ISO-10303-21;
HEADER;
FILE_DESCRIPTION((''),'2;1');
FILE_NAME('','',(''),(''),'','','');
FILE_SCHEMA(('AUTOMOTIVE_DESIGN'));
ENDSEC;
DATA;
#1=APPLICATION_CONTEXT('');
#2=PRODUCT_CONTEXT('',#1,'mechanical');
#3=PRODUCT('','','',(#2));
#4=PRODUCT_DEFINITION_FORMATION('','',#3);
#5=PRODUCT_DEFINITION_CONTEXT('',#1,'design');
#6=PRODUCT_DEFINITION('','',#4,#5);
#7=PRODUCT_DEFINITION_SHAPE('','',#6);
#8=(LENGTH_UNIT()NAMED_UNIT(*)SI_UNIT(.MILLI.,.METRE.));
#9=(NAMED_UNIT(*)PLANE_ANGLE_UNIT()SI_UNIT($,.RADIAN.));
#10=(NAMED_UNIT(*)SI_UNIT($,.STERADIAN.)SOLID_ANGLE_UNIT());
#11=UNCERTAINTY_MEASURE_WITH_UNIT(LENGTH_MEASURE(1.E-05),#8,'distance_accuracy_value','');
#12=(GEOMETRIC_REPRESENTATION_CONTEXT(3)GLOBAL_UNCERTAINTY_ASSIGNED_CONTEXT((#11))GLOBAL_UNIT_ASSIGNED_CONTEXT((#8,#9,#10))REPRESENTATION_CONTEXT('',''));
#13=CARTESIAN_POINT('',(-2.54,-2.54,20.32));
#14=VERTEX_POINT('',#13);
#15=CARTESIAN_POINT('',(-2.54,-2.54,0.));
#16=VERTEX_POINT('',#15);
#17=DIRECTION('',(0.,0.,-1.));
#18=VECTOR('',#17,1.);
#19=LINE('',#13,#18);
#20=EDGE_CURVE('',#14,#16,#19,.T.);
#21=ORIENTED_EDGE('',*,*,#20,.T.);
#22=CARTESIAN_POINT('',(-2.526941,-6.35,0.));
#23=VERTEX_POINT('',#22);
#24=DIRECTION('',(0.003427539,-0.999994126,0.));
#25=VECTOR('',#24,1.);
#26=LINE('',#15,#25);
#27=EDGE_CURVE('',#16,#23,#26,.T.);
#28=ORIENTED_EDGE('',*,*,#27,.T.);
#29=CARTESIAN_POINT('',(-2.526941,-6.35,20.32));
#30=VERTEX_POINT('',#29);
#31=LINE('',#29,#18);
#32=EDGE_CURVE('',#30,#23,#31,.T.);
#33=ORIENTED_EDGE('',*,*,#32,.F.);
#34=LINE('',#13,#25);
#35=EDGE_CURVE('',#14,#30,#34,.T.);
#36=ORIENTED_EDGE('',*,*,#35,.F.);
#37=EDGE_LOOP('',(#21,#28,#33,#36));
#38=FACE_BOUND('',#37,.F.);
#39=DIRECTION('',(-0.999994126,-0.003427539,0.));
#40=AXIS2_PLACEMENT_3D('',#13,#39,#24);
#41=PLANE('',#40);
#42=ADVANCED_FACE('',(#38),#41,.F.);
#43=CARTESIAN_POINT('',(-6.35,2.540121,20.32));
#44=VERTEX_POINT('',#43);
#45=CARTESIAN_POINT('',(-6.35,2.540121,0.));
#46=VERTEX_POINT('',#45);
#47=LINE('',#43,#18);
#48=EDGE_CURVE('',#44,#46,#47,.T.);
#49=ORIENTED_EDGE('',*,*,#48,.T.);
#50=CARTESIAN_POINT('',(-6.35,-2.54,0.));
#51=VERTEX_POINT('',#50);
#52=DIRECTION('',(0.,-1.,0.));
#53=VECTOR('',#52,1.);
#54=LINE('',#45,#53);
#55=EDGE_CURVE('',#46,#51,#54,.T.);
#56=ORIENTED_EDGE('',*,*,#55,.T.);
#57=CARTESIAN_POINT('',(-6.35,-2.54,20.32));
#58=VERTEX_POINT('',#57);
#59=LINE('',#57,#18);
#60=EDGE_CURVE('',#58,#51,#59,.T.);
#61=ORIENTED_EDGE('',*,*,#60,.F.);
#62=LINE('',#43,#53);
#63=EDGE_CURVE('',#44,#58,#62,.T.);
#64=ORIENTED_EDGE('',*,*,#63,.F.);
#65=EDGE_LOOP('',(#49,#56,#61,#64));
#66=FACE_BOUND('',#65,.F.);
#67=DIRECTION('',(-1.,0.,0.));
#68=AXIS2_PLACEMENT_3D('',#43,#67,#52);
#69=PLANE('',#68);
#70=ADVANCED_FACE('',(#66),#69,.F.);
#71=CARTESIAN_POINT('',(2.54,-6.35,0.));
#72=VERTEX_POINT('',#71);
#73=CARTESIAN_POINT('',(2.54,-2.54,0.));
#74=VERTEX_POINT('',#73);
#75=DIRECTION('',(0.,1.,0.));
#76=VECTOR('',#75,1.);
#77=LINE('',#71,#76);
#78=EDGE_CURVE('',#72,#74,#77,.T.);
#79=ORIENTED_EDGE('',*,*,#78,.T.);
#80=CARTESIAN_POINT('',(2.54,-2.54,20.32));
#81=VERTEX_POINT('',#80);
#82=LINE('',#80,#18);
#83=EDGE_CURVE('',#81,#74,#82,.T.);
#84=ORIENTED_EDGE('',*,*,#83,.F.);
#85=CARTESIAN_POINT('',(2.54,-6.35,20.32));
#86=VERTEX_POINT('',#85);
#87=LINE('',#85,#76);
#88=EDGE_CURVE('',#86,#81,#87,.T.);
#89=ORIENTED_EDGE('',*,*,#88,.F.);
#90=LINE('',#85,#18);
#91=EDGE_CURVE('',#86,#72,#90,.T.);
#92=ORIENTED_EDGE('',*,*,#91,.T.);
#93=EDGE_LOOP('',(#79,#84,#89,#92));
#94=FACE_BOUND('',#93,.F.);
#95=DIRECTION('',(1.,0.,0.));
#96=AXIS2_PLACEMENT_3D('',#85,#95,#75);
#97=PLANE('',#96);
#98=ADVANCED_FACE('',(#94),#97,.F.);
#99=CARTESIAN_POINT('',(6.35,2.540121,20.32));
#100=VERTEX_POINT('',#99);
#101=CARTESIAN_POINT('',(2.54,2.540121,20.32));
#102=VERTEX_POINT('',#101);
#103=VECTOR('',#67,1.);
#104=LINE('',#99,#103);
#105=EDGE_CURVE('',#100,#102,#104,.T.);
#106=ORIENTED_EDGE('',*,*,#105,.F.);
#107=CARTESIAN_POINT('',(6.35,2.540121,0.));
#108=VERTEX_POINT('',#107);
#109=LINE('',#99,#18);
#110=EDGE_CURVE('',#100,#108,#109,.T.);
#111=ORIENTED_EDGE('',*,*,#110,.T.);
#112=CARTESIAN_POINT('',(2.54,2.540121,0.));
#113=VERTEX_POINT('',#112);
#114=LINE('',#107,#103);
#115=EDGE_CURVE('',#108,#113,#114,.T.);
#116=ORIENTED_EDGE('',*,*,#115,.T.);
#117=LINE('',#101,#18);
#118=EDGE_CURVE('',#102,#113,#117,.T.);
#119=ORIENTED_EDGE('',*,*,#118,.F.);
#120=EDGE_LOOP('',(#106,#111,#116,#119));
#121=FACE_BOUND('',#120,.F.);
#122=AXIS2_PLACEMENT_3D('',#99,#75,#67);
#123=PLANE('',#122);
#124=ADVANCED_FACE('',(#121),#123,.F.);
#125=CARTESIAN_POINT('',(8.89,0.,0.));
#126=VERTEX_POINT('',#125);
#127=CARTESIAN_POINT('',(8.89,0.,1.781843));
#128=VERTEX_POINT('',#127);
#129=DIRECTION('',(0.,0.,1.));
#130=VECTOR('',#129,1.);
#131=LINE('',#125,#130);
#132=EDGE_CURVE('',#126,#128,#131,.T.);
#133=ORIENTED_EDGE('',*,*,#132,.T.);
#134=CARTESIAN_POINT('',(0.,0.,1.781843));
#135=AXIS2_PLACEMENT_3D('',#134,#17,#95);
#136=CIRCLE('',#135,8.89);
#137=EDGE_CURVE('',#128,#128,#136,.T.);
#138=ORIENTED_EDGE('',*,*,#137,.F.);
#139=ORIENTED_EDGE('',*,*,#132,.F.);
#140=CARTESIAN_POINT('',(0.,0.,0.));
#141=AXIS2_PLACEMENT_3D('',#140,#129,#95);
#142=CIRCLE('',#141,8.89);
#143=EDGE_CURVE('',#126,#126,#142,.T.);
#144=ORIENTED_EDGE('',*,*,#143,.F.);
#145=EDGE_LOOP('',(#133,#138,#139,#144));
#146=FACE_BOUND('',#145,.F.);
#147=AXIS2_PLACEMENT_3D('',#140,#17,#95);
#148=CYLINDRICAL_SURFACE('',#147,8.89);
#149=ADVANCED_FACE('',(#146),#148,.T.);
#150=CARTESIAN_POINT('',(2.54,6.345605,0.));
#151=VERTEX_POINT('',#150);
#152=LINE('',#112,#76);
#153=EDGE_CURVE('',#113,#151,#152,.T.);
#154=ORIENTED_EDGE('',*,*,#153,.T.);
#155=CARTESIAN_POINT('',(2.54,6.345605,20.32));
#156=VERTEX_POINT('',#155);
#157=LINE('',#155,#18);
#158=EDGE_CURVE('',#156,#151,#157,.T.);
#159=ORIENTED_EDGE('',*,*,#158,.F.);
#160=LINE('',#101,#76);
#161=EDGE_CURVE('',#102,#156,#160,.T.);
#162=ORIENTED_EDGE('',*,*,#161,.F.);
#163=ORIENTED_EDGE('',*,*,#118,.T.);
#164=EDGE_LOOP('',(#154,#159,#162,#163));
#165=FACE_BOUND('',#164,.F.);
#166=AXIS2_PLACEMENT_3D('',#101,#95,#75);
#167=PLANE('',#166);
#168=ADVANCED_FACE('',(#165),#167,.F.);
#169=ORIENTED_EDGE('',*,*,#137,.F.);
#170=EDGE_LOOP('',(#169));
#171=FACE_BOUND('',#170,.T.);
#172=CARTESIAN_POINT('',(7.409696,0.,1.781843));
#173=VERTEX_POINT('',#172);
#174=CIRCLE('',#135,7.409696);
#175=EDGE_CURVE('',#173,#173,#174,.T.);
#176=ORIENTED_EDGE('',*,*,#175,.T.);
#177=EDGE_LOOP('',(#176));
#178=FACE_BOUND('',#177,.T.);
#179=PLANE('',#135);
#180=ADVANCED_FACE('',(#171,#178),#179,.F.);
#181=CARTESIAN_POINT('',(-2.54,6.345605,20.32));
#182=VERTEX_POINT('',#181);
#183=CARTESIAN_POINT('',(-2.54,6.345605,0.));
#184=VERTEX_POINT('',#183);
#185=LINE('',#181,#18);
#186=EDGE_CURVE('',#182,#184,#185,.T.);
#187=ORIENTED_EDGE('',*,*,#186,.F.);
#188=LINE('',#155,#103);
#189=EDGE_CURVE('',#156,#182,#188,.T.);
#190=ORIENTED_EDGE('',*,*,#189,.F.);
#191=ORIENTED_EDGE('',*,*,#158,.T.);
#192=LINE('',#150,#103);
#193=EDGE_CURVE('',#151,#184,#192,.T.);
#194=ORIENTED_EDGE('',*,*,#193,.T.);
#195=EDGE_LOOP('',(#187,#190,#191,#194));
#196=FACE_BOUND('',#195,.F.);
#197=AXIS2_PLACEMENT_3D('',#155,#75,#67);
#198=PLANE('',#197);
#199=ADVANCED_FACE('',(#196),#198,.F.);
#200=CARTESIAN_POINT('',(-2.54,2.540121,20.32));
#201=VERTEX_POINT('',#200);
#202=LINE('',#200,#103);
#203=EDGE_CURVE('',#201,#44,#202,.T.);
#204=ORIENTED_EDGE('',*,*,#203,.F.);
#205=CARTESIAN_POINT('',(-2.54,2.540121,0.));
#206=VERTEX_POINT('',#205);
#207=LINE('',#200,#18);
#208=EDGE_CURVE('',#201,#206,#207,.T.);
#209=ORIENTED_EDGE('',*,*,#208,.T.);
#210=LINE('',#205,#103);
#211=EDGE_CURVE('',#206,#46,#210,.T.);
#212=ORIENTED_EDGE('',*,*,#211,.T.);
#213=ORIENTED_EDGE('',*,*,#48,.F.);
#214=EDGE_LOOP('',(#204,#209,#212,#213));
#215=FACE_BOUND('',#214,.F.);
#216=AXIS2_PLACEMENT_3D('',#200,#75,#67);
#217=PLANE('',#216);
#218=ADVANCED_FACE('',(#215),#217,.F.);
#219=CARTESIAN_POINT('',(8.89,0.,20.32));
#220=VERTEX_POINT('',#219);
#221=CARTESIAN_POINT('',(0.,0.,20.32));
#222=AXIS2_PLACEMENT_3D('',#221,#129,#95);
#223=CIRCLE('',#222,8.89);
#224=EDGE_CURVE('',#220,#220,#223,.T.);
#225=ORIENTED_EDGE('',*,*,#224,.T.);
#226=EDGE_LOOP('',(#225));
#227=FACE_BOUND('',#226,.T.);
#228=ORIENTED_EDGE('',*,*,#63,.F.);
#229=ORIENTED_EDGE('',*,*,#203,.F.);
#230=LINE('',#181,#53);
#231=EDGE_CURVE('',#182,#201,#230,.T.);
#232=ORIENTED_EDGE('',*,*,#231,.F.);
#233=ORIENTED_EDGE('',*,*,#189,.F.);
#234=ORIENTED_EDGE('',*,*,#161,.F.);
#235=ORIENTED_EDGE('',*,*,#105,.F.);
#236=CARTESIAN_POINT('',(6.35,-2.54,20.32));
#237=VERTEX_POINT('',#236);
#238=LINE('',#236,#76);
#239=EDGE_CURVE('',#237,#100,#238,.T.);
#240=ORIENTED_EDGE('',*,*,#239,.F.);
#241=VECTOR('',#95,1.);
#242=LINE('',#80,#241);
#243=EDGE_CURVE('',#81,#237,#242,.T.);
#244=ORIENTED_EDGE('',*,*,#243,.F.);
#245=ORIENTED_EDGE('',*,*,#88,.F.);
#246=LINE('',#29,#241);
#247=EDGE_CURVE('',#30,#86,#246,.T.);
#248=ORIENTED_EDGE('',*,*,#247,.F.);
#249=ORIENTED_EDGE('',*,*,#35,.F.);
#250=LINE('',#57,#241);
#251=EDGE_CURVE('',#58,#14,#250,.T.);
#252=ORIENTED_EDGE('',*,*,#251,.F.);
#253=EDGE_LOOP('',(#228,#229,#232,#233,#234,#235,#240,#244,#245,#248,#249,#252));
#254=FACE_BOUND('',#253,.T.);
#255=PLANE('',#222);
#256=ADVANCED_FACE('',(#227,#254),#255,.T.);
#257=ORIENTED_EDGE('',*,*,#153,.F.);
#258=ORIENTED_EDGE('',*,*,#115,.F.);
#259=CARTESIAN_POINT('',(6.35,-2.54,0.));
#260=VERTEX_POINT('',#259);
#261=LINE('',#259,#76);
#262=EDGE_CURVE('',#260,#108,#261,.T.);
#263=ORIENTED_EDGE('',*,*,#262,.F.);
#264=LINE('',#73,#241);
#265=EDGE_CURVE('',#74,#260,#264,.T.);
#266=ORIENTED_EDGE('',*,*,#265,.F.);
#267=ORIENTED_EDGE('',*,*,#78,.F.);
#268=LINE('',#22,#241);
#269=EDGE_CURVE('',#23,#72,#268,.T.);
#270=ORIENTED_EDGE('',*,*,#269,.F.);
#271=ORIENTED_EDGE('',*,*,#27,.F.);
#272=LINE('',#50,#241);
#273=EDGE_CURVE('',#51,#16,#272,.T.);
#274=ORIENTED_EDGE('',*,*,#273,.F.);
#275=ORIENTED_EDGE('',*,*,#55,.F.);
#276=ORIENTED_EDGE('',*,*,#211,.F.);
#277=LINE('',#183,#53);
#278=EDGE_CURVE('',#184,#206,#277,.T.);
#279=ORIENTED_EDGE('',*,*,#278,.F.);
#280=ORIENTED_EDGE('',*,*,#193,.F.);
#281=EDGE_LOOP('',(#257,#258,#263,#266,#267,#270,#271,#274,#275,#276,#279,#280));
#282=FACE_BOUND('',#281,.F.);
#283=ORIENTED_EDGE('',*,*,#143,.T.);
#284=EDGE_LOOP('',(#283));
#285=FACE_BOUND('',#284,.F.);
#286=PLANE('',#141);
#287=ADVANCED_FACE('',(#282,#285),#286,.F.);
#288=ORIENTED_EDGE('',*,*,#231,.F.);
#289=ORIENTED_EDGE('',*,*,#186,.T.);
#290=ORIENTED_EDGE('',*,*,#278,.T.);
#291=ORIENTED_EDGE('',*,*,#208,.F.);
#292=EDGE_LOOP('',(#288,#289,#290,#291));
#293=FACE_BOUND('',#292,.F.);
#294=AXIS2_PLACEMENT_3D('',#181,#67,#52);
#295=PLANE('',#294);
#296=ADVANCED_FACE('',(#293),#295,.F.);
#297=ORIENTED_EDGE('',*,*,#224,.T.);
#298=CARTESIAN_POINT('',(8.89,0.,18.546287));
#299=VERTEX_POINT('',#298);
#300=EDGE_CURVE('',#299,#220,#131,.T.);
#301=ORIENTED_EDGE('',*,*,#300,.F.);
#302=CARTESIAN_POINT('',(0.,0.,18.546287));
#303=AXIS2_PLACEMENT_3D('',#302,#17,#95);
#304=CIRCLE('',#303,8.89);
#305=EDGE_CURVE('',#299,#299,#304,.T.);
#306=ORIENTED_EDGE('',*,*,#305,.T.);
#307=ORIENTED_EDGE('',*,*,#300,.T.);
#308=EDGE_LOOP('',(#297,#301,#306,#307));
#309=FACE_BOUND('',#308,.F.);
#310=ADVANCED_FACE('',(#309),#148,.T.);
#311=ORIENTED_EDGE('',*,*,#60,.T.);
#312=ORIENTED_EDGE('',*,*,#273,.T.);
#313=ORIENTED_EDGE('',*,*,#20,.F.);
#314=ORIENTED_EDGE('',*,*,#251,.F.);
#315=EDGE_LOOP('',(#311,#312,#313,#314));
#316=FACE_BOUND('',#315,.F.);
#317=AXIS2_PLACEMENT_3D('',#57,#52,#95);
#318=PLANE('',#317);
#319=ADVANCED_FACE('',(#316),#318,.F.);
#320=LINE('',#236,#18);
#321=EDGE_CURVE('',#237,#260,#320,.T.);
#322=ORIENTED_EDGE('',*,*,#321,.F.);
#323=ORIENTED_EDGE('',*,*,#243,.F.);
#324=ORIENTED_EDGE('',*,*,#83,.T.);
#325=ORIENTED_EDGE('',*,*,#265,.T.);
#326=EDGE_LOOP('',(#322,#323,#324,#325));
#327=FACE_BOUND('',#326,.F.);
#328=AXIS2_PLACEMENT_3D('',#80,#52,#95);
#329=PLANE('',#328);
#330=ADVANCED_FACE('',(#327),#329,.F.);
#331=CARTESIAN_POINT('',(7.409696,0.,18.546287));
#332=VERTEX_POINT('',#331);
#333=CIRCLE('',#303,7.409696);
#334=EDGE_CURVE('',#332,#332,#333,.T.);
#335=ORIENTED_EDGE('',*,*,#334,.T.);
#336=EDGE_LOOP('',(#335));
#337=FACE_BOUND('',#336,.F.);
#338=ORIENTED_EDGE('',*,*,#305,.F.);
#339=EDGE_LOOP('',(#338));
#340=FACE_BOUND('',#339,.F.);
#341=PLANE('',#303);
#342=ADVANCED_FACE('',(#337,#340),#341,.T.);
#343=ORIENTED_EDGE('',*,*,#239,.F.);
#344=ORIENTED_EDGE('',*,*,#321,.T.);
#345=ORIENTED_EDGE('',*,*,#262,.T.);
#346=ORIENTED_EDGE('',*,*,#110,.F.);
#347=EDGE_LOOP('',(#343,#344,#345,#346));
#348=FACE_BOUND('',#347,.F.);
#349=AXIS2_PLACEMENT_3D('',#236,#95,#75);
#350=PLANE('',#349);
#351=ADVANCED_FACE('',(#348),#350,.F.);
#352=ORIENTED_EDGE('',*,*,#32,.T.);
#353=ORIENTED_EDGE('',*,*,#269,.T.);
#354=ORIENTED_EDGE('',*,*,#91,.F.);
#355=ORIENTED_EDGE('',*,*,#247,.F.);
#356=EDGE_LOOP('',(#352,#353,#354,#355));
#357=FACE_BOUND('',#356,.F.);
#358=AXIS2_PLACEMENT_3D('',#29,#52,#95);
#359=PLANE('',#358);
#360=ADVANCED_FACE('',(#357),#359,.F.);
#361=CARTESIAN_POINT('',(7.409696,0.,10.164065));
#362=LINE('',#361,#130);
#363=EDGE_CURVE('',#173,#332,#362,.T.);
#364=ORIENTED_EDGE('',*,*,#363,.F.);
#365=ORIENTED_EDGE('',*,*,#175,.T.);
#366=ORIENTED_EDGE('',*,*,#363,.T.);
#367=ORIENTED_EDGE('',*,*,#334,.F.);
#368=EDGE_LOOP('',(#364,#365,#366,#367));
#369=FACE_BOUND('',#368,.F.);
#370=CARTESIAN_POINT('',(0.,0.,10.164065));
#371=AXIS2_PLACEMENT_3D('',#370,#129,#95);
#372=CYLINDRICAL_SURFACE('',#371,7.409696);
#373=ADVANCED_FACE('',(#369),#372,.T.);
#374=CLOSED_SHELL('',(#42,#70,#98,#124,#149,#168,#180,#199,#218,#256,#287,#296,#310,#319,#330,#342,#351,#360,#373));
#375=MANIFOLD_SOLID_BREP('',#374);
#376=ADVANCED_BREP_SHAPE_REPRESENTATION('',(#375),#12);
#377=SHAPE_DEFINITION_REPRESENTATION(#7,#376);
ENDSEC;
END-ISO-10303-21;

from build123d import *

# Parameters (mm, degrees)
F0_R     = 8.89
F1_DEPTH = 20.32
F3_DEPTH = 20.32
F4_W     = 3.678773
F4_H     = 16.764444


with BuildPart() as f1:
    # F0 (on Top) → F1 (new body)
    with BuildSketch(Plane.XY):
        Circle(F0_R)
    extrude(amount=F1_DEPTH)

    # F2 (on face) → F3 (cut)
    with BuildSketch(Plane.XY.offset(20.32)):
        Polygon((-2.526941, -6.35), (0, -6.35), (2.54, -6.35), (2.54, -2.54), (6.35, -2.54), (6.35, 0), (6.35, 2.540121), (2.54, 2.540121), (2.54, 6.345605), (0, 6.345605), (-2.54, 6.345605), (-2.54, 2.540121), (-6.35, 2.540121), (-6.35, 0), (-6.35, -2.54), (-2.54, -2.54), align=None)
    extrude(amount=-F3_DEPTH, mode=Mode.SUBTRACT)

    # F4 (on Front) → F5 (revolve, cut)
    with BuildSketch(Plane.XZ):
        with Locations((9.249083, 10.164065)):
            Rectangle(F4_W, F4_H)
    revolve(axis=Axis((0, 0, 10.164065), (0, 0, -1)), mode=Mode.SUBTRACT)


solid = f1.part
